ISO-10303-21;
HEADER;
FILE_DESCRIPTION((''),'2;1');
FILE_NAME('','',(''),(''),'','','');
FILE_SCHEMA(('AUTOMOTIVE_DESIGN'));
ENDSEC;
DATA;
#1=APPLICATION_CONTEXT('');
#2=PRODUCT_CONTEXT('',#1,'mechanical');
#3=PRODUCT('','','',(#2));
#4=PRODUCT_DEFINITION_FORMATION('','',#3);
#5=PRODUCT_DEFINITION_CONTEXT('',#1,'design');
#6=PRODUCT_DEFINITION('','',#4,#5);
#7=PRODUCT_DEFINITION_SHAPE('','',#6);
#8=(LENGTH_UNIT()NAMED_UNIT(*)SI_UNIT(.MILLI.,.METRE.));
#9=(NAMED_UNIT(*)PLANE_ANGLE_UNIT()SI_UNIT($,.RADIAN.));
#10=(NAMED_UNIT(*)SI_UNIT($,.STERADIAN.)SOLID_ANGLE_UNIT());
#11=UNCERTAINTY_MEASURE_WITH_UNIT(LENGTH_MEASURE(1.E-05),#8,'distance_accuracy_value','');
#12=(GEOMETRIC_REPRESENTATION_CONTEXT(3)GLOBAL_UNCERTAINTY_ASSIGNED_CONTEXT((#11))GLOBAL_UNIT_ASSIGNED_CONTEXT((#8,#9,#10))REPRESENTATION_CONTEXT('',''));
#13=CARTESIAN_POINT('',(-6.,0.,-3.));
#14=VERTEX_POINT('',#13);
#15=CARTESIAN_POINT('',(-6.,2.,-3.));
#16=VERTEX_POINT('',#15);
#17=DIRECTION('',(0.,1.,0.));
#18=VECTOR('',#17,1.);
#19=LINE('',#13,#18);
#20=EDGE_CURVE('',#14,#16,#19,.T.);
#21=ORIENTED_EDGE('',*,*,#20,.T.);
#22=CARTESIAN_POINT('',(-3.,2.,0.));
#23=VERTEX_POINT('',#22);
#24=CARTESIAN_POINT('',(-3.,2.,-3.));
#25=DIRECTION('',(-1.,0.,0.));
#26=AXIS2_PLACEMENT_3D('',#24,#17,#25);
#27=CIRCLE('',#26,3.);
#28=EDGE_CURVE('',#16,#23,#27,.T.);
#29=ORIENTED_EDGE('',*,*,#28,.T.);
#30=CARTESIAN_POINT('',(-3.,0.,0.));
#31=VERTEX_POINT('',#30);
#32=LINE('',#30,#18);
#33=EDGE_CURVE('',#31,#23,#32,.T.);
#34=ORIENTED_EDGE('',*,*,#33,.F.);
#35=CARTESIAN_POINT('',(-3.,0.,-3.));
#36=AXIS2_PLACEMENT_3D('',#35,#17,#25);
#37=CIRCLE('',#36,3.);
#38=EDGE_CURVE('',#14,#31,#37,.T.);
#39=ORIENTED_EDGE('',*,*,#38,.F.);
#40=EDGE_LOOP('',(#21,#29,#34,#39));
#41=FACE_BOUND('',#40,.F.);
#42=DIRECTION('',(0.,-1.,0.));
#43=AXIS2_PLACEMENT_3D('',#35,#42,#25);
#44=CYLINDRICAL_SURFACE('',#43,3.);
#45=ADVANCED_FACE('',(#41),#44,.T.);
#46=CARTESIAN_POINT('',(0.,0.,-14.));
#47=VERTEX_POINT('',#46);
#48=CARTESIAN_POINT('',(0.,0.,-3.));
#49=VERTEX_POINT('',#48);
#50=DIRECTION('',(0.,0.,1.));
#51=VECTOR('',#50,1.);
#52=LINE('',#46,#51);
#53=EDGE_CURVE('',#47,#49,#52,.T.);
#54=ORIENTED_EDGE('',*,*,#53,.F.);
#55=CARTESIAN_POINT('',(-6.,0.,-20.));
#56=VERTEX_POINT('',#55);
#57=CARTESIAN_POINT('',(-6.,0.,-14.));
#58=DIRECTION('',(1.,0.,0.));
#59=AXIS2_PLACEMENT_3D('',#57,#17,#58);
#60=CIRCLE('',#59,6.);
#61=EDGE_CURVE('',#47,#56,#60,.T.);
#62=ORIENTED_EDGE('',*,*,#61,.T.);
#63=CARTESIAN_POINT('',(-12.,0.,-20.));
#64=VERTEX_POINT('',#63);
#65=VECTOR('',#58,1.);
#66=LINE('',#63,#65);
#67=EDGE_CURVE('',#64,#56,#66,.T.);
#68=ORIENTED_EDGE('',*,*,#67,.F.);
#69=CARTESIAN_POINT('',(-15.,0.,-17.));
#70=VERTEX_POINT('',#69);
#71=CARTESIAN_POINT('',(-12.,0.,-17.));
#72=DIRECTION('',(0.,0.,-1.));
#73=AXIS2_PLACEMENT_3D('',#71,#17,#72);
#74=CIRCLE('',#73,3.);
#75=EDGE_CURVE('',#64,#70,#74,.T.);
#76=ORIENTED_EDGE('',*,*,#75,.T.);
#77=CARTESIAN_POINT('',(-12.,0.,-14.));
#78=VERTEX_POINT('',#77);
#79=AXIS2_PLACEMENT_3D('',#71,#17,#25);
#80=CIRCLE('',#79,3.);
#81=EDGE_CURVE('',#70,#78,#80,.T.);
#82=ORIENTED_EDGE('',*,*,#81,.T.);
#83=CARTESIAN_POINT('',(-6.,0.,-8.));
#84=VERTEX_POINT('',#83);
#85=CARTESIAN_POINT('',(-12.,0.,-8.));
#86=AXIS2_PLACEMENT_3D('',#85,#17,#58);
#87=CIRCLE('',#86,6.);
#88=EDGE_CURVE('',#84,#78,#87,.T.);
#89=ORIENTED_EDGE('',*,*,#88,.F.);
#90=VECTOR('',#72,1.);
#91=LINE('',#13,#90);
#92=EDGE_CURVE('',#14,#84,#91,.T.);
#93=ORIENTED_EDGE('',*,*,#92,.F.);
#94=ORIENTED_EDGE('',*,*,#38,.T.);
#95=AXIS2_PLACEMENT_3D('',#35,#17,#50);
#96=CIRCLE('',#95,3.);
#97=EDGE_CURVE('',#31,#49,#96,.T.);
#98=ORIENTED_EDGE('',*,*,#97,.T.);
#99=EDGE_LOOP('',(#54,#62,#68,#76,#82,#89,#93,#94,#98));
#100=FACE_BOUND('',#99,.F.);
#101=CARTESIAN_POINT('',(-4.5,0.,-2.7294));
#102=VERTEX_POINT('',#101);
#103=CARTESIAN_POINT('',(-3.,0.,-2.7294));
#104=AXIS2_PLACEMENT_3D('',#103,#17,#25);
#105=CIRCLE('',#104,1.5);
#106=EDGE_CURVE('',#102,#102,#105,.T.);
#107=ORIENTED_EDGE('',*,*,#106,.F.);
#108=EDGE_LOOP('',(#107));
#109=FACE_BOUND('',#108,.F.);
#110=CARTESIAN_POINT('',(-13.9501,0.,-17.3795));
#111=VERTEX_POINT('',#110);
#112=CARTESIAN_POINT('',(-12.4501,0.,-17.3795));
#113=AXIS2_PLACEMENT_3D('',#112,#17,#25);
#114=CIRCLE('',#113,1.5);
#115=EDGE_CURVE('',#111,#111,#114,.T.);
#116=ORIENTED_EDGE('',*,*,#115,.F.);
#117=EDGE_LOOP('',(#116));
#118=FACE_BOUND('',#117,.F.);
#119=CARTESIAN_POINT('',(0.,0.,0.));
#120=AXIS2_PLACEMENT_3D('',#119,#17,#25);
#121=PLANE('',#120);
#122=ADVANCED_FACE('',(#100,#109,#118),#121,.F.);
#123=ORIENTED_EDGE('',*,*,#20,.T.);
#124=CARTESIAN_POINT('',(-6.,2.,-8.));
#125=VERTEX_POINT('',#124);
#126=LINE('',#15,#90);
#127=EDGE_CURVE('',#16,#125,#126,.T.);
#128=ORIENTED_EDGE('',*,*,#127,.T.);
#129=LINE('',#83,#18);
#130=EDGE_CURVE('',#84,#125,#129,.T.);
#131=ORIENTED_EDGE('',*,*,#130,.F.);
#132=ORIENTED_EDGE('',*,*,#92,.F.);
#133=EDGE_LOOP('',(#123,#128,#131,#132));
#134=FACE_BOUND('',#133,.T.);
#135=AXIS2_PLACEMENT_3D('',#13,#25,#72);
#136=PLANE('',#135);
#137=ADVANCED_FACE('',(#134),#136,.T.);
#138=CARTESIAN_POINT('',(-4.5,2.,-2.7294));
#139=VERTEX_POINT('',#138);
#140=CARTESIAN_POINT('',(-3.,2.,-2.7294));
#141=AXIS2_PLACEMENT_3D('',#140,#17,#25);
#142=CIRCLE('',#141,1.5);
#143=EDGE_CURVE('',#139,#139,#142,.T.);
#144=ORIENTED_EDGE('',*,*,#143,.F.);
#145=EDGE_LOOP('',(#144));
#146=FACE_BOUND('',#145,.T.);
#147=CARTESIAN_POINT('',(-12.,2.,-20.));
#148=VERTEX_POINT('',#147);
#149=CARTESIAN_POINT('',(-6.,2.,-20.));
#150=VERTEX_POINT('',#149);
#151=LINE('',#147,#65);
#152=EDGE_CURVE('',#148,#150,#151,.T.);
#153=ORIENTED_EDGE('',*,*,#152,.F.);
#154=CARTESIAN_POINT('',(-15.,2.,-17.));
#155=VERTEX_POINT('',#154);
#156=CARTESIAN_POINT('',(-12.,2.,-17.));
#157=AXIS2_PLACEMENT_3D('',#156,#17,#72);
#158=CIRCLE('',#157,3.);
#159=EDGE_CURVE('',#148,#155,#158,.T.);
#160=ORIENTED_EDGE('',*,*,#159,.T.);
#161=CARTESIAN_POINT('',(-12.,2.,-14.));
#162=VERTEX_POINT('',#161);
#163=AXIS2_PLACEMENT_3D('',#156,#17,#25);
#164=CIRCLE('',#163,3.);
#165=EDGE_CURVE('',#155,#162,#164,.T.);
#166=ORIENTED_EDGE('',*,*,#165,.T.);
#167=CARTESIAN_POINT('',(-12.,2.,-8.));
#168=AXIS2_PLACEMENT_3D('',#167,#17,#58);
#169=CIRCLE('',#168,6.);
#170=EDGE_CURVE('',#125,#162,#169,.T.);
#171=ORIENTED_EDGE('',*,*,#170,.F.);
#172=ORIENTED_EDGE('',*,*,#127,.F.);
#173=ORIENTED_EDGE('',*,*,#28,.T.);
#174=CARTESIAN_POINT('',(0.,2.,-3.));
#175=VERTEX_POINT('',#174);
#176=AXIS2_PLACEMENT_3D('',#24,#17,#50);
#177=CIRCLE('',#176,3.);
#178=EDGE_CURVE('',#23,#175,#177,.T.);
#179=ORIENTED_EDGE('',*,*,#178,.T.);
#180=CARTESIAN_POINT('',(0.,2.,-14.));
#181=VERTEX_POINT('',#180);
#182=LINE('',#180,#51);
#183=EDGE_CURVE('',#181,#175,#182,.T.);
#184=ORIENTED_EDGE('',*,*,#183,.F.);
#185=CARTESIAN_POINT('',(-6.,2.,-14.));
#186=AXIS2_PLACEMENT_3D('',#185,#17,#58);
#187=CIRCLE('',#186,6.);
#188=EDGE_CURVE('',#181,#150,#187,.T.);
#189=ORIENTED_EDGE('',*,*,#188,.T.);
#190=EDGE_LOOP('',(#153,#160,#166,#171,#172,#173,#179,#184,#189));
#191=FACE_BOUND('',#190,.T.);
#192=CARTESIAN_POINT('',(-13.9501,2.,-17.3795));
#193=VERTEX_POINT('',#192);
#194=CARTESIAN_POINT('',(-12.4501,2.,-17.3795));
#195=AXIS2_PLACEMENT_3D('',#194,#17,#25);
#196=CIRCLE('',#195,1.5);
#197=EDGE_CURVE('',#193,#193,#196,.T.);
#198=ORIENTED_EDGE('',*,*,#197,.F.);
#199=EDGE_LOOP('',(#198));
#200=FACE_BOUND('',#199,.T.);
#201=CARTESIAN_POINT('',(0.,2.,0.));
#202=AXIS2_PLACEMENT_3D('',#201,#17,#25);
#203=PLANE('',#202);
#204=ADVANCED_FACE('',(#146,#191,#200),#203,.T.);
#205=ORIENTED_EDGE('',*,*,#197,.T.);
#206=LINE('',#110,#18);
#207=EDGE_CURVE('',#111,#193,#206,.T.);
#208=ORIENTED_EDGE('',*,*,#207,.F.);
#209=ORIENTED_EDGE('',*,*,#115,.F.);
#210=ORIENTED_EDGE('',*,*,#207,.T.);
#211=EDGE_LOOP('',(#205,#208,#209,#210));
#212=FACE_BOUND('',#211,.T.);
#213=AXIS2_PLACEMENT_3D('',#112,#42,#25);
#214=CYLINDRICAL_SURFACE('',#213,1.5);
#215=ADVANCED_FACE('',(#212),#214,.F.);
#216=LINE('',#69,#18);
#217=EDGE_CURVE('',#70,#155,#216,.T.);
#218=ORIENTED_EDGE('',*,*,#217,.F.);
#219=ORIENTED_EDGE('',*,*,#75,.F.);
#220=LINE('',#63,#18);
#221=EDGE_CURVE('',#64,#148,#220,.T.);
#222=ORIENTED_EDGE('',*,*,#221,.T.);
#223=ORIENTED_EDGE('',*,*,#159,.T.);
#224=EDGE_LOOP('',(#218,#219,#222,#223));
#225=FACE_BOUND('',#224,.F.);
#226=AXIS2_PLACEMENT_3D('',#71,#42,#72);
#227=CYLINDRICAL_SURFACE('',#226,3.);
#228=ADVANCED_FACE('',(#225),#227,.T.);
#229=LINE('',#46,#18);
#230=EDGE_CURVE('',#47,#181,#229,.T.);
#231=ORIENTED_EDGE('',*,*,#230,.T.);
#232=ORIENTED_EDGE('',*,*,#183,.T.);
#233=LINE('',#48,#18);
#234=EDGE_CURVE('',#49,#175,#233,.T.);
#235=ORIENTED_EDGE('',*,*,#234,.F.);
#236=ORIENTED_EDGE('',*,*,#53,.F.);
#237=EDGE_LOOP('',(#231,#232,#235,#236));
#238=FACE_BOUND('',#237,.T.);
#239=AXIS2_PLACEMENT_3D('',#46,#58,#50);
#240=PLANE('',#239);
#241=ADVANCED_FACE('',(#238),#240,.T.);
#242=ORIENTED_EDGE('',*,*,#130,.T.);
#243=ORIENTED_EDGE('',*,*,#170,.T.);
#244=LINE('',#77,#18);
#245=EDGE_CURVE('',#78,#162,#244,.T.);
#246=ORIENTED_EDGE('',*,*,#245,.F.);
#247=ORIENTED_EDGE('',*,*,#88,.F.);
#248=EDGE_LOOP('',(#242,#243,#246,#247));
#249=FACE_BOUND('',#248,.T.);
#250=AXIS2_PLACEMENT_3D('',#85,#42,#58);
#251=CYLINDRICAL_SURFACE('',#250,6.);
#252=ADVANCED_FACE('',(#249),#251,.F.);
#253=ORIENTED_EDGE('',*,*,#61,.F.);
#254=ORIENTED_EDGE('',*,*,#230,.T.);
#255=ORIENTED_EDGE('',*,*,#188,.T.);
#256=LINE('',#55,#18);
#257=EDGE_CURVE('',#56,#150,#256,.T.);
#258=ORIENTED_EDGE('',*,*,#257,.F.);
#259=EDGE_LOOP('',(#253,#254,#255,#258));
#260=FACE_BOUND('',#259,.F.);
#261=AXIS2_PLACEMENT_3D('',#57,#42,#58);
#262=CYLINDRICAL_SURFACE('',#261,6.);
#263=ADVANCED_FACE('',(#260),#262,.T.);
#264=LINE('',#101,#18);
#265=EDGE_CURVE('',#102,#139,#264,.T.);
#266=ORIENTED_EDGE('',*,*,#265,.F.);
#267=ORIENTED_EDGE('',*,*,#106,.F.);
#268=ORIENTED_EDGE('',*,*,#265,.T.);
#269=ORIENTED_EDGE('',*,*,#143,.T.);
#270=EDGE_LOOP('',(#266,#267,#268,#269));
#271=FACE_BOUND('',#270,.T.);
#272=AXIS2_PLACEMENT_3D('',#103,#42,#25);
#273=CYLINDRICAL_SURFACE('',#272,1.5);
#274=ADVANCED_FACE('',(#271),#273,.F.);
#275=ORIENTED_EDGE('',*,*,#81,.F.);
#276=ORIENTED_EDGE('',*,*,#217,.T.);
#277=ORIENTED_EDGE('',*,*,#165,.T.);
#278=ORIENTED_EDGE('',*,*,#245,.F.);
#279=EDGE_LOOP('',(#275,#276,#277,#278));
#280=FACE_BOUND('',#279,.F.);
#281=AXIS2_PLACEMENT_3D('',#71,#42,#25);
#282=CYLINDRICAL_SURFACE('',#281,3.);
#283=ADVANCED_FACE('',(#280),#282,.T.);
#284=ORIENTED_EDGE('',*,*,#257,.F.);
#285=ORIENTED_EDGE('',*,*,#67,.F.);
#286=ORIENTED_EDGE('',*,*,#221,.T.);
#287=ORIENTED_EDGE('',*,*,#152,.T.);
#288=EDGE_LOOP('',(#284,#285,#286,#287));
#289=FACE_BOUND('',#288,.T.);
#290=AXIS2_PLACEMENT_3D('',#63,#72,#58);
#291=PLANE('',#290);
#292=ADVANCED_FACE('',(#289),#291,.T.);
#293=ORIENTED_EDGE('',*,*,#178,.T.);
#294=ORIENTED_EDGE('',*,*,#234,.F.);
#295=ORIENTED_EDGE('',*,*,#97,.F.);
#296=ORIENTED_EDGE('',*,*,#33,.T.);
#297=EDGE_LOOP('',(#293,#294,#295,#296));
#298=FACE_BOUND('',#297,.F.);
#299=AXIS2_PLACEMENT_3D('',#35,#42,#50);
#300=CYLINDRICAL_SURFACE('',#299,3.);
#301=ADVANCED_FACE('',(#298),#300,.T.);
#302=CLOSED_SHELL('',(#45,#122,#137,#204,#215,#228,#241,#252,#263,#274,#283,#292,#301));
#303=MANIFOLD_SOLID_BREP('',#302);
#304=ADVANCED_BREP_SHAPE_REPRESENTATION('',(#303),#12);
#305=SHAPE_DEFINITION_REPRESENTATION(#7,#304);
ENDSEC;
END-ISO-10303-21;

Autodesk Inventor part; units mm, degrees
ref_plane "YZ Plane" through (0, 0, 0) normal (1, 0, 0) x (0, 1, 0)
ref_plane "XZ Plane" through (0, 0, 0) normal (0, 1, 0) x (-1, 0, 0)
ref_plane "XY Plane" through (0, 0, 0) normal (0, 0, 1) x (1, 0, 0)
sketch "Sketch1" plane through (0, 0, 0) normal (0, 1, 0) x (-1, 0, 0)
  line L0 (3, 0) -> (3, 0)
  line L1 (15, -17) -> (15, -17)
  line L2 (12, -20) -> (6, -20)
  line L3 (0, -14) -> (0, -3)
  line L4 (12, -14) -> (12, -14)
  line L5 (6, -3) -> (6, -8)
  arc A0 (15, -17) -> (12, -14) centre (12, -17) ccw
  arc A1 (12, -20) -> (15, -17) centre (12, -17) ccw
  arc A2 (6, -3) -> (3, 0) centre (3, -3) ccw
  arc A3 (3, 0) -> (0, -3) centre (3, -3) ccw
  arc A4 (6, -8) -> (12, -14) centre (12, -8) ccw
  arc A5 (0, -14) -> (6, -20) centre (6, -14) ccw
  circle A6 centre (3, -2.7294) radius 1.5
  circle A7 centre (12.4501, -17.3795) radius 1.5
  point P0 (0, 0)
  point P1 (15, -20)
  point P2 (15, 0)
  point P3 (0, -20)
  dimension "d0" = 15
  dimension "d1" = 20
  dimension "d2" = 6
  dimension "d3" = 3
  dimension "d4" = 6
  dimension "d5" = 3
  dimension "d6" = 3
extrude "Extrusion1" add sketch "Sketch1" along normal blind 2
properties part number "EE Link"
